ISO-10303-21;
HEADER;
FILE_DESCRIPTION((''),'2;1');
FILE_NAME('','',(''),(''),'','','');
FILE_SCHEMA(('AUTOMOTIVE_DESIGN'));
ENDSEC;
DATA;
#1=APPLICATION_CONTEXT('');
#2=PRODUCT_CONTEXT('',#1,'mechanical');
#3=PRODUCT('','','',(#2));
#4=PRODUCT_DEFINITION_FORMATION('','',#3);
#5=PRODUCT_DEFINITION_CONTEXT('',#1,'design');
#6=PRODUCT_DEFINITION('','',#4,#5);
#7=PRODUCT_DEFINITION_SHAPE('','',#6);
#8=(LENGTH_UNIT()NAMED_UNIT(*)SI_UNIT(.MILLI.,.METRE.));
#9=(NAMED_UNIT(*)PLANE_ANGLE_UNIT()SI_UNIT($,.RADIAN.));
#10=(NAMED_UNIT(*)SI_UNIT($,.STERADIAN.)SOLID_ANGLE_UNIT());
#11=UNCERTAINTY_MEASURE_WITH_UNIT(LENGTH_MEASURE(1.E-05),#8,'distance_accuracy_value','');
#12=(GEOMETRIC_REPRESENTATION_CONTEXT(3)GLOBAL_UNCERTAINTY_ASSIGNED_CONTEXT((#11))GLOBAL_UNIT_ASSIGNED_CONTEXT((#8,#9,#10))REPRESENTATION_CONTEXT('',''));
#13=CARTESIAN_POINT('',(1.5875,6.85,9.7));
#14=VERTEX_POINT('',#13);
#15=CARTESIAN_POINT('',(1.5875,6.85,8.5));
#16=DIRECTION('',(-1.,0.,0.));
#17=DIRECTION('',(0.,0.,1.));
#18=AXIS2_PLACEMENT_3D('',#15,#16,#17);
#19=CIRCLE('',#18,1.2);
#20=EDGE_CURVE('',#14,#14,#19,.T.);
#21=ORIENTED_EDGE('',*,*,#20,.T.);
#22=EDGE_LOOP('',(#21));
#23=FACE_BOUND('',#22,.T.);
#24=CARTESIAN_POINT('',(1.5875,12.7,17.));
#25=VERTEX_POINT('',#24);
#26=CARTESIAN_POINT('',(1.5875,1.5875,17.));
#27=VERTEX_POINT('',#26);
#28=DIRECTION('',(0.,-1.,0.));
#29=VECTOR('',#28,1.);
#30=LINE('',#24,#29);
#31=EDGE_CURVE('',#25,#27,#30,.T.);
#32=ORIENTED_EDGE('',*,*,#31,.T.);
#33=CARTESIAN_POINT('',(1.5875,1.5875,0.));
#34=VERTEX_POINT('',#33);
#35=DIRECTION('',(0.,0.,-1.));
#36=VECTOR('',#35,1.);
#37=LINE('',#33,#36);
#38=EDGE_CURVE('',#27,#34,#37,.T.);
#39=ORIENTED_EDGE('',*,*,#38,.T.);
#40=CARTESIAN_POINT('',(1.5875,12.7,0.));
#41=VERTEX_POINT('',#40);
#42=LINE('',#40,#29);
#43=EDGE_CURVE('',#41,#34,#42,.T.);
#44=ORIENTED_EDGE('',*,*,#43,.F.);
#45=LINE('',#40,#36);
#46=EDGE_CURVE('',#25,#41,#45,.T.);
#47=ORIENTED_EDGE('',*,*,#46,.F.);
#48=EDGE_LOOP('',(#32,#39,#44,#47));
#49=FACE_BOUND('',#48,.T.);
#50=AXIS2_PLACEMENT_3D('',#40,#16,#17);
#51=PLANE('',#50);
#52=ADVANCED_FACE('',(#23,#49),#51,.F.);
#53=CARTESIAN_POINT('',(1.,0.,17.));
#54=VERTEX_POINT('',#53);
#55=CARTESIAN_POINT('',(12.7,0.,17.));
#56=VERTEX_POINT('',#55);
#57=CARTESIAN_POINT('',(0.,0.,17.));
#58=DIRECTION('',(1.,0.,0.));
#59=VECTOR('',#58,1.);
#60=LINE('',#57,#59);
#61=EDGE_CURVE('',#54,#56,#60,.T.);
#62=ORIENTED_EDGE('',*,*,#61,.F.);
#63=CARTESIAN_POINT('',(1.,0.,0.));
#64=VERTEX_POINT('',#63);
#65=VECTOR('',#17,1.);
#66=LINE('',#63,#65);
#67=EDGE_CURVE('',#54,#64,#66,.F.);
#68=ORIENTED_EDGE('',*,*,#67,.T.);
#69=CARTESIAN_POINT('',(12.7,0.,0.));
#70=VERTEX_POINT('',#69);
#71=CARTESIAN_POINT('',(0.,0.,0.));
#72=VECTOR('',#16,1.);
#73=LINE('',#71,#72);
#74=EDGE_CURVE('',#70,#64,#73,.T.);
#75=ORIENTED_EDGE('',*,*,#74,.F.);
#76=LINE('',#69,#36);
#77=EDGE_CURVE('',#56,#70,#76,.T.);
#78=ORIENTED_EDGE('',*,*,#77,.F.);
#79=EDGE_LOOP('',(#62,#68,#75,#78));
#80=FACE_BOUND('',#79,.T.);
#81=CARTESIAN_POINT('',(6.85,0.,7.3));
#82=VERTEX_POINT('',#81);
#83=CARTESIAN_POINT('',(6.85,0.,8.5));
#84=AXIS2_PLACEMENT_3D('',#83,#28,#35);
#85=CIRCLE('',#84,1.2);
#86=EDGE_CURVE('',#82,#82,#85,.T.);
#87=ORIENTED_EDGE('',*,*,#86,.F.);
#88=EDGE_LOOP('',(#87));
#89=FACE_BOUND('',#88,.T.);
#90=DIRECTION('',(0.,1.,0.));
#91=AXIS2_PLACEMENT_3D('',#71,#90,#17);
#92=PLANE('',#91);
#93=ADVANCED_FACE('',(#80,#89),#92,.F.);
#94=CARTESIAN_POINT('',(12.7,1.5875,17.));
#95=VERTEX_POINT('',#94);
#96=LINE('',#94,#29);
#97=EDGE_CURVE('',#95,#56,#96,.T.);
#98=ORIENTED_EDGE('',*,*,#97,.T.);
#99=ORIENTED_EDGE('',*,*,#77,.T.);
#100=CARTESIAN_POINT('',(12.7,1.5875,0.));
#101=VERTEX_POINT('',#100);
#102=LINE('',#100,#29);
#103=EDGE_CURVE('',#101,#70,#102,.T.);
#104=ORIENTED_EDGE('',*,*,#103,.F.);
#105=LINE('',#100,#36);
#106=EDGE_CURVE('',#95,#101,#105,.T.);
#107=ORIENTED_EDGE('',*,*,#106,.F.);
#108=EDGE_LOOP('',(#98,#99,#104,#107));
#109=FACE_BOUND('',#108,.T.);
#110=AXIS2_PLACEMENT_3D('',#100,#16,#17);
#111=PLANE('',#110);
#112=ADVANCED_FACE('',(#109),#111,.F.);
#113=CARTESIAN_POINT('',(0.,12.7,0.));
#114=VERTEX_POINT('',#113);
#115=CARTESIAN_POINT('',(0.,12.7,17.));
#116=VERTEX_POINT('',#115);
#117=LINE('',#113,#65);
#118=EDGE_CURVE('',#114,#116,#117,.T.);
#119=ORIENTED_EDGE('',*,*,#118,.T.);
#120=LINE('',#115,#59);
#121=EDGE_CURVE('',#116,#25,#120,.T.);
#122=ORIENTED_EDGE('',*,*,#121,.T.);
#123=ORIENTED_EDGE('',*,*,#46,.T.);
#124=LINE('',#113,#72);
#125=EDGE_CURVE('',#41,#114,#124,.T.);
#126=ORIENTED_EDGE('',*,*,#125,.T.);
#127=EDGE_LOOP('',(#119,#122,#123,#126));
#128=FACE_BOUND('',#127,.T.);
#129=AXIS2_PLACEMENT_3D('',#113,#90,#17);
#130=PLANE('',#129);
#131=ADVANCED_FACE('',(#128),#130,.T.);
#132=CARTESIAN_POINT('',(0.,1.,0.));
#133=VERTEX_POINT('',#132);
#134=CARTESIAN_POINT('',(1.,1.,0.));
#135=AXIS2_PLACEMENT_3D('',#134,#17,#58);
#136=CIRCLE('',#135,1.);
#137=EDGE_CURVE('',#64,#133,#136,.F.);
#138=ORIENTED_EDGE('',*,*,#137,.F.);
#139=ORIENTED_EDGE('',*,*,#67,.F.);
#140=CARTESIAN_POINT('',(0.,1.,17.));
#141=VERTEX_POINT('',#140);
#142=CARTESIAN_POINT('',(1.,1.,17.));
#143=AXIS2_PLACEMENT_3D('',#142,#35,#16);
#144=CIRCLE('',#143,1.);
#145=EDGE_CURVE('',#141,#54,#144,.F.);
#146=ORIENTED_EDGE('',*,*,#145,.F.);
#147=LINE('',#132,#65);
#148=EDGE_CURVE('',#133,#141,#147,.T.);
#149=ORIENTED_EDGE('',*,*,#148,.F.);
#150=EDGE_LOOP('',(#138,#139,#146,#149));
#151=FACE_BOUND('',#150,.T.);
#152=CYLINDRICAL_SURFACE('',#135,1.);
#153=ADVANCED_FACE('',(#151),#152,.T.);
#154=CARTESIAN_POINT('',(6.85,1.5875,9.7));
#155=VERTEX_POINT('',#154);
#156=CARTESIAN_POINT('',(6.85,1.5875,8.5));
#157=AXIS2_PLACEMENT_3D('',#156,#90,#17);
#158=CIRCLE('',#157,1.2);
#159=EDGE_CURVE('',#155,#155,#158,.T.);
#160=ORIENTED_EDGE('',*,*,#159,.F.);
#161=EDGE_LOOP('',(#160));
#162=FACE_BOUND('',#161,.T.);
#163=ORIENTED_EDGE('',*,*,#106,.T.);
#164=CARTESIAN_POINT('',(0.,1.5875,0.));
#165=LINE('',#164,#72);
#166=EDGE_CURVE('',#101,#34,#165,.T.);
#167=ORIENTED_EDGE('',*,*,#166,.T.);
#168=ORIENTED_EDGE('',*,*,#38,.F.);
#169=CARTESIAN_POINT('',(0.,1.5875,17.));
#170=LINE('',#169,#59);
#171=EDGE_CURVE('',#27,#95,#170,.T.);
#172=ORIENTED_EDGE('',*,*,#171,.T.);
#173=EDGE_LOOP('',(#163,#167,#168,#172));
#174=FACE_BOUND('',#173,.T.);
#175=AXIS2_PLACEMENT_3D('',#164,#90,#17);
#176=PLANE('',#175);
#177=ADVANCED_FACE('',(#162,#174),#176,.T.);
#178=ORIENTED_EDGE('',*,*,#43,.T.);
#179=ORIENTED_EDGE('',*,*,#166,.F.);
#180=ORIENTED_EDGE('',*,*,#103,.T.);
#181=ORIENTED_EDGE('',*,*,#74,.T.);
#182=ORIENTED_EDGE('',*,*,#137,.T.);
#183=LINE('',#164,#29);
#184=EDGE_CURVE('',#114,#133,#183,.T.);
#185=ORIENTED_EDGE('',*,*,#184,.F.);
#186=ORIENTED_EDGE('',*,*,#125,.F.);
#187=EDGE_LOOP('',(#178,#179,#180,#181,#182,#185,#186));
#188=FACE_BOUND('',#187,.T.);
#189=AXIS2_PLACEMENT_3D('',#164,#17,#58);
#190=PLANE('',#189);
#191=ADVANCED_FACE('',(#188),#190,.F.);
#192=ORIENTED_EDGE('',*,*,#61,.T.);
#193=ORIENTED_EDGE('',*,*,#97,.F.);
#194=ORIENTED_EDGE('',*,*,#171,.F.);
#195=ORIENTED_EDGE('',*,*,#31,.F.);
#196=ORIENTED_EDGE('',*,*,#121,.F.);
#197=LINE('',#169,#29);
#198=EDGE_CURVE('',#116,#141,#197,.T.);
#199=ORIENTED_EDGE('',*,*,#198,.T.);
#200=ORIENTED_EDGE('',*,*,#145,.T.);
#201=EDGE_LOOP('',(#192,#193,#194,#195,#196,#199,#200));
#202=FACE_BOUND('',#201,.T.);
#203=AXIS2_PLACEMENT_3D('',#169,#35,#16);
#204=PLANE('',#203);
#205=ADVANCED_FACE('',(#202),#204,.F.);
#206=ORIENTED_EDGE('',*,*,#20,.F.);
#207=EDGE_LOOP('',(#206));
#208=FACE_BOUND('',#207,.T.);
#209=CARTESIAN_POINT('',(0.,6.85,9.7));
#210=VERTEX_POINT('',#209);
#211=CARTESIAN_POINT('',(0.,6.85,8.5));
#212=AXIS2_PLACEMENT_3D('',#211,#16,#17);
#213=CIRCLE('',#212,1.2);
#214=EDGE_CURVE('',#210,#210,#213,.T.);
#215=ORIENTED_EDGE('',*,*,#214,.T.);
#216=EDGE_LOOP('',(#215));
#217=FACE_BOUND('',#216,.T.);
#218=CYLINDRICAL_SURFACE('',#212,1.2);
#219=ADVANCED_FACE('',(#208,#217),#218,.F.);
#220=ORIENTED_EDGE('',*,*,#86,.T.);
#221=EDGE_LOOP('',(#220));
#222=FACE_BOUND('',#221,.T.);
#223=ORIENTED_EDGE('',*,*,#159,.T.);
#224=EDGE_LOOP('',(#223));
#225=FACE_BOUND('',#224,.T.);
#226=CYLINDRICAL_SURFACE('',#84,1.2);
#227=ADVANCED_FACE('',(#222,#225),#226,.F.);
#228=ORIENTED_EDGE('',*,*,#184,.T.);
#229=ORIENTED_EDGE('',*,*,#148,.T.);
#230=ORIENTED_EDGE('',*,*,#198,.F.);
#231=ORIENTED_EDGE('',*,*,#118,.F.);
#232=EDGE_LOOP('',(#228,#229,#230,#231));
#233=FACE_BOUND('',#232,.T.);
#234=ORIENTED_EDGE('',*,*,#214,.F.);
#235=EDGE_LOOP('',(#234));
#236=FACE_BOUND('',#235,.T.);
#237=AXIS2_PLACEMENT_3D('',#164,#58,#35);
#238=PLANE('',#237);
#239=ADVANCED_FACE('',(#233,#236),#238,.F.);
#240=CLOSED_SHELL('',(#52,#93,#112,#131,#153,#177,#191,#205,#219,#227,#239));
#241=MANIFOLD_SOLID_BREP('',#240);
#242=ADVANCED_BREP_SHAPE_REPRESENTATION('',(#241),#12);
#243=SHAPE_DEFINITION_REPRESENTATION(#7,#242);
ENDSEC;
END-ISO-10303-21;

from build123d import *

# Parameters (mm, degrees)
SKETCH1_W                = 12.7
SKETCH1_H                = 17
BOSS_EXTRUDE1_DEPTH      = 1.5875
SKETCH2_W                = 1.5875
SKETCH2_H                = 17
BOSS_EXTRUDE2_DEPTH      = 11.1125
FILLET1_R                = 1
M2_CLEARANCE_HOLE1_D     = 2.4
M2_CLEARANCE_HOLE1_DEPTH = 2
M2_CLEARANCE_HOLE1_TIP   = 0.721032743
M2_CLEARANCE_HOLE2_D     = 2.4
M2_CLEARANCE_HOLE2_DEPTH = 2
M2_CLEARANCE_HOLE2_TIP   = 0.721032743


with BuildPart() as part:
    # Sketch1 → Boss-Extrude1 (new body)
    with BuildSketch(Plane(origin=(0, 0, 0), x_dir=(1, 0, 0), z_dir=(0, 1, 0))):
        with Locations((6.35, -8.5)):
            Rectangle(SKETCH1_W, SKETCH1_H)
    extrude(amount=BOSS_EXTRUDE1_DEPTH)

    # Sketch2 → Boss-Extrude2 (add)
    with BuildSketch(Plane(origin=(0, 1.5875, 0), x_dir=(1, 0, 0), z_dir=(0, 1, 0))):
        with Locations((0.79375, -8.5)):
            Rectangle(SKETCH2_W, SKETCH2_H)
    extrude(amount=BOSS_EXTRUDE2_DEPTH)

    # Fillet1
    fillet1_edges = [part.edges().sort_by_distance(p)[0] for p in [
        (0, 0, 8.5),
    ]]
    fillet(fillet1_edges, radius=FILLET1_R)

    # M2 Clearance Hole1
    with Locations(Plane(origin=(0, 0, 0), x_dir=(-1, 0, 0), z_dir=(0, -1, 0))):
        with Locations((-6.85, -8.5)):
            Hole(M2_CLEARANCE_HOLE1_D / 2, depth=M2_CLEARANCE_HOLE1_DEPTH)
            with Locations((0, 0, -(M2_CLEARANCE_HOLE1_DEPTH + M2_CLEARANCE_HOLE1_TIP / 2))):  # 118° drill point
                Cone(0, M2_CLEARANCE_HOLE1_D / 2, M2_CLEARANCE_HOLE1_TIP, mode=Mode.SUBTRACT)

    # M2 Clearance Hole2
    with Locations(Plane.ZY):
        with Locations((8.5, 6.85)):
            Hole(M2_CLEARANCE_HOLE2_D / 2, depth=M2_CLEARANCE_HOLE2_DEPTH)
            with Locations((0, 0, -(M2_CLEARANCE_HOLE2_DEPTH + M2_CLEARANCE_HOLE2_TIP / 2))):  # 118° drill point
                Cone(0, M2_CLEARANCE_HOLE2_D / 2, M2_CLEARANCE_HOLE2_TIP, mode=Mode.SUBTRACT)


solid = part.part
